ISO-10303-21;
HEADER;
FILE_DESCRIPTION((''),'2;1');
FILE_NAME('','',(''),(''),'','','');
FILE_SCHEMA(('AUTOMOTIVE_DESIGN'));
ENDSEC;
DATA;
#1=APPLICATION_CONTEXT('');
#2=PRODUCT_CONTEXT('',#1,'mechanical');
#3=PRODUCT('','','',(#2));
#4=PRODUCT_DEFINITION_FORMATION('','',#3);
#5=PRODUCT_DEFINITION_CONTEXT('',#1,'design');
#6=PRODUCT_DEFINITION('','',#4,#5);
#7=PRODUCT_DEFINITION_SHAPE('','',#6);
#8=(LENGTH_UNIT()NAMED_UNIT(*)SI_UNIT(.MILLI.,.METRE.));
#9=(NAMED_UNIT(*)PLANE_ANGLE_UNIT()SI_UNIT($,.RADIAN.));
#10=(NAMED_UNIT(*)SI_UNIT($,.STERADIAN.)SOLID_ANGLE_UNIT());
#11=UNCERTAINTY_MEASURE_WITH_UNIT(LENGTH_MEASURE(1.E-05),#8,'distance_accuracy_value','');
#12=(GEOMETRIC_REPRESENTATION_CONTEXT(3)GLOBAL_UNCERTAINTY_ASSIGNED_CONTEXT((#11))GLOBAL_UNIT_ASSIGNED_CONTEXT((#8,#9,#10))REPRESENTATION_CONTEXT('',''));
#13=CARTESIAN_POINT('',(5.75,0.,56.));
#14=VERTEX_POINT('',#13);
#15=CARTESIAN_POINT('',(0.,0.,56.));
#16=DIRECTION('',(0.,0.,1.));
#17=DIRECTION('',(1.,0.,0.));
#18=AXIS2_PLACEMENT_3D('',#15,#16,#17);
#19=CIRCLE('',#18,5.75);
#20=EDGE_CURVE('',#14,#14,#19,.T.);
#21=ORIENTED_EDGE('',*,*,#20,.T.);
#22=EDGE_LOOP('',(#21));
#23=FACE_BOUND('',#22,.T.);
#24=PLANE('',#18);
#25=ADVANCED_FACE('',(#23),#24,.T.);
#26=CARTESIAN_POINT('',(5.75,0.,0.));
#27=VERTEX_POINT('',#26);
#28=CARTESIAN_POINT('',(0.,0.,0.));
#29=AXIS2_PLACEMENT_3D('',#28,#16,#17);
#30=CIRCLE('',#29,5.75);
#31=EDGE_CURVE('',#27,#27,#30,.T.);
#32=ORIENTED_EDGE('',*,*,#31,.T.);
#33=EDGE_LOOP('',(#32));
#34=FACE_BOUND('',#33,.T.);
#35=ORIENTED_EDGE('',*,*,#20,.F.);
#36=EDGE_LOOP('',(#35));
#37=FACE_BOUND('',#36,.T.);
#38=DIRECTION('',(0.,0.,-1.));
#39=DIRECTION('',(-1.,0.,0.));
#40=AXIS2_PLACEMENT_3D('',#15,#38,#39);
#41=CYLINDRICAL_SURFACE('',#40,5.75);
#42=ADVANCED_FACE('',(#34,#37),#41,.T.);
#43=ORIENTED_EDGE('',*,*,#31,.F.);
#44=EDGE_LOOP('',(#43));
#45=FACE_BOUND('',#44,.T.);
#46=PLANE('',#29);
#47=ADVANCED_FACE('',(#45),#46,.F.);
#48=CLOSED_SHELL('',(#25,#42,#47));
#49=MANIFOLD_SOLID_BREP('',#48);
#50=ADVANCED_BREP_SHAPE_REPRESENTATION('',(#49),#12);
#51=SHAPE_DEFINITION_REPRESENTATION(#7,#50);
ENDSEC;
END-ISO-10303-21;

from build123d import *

# Parameters (mm, degrees)
ESQUISSE1_R        = 5.75
BOSS_EXTRU_1_DEPTH = 56


with BuildPart() as part:
    # Esquisse1 → Boss.-Extru.1 (new body)
    with BuildSketch(Plane.XY):
        Circle(ESQUISSE1_R)
    extrude(amount=BOSS_EXTRU_1_DEPTH)


solid = part.part
